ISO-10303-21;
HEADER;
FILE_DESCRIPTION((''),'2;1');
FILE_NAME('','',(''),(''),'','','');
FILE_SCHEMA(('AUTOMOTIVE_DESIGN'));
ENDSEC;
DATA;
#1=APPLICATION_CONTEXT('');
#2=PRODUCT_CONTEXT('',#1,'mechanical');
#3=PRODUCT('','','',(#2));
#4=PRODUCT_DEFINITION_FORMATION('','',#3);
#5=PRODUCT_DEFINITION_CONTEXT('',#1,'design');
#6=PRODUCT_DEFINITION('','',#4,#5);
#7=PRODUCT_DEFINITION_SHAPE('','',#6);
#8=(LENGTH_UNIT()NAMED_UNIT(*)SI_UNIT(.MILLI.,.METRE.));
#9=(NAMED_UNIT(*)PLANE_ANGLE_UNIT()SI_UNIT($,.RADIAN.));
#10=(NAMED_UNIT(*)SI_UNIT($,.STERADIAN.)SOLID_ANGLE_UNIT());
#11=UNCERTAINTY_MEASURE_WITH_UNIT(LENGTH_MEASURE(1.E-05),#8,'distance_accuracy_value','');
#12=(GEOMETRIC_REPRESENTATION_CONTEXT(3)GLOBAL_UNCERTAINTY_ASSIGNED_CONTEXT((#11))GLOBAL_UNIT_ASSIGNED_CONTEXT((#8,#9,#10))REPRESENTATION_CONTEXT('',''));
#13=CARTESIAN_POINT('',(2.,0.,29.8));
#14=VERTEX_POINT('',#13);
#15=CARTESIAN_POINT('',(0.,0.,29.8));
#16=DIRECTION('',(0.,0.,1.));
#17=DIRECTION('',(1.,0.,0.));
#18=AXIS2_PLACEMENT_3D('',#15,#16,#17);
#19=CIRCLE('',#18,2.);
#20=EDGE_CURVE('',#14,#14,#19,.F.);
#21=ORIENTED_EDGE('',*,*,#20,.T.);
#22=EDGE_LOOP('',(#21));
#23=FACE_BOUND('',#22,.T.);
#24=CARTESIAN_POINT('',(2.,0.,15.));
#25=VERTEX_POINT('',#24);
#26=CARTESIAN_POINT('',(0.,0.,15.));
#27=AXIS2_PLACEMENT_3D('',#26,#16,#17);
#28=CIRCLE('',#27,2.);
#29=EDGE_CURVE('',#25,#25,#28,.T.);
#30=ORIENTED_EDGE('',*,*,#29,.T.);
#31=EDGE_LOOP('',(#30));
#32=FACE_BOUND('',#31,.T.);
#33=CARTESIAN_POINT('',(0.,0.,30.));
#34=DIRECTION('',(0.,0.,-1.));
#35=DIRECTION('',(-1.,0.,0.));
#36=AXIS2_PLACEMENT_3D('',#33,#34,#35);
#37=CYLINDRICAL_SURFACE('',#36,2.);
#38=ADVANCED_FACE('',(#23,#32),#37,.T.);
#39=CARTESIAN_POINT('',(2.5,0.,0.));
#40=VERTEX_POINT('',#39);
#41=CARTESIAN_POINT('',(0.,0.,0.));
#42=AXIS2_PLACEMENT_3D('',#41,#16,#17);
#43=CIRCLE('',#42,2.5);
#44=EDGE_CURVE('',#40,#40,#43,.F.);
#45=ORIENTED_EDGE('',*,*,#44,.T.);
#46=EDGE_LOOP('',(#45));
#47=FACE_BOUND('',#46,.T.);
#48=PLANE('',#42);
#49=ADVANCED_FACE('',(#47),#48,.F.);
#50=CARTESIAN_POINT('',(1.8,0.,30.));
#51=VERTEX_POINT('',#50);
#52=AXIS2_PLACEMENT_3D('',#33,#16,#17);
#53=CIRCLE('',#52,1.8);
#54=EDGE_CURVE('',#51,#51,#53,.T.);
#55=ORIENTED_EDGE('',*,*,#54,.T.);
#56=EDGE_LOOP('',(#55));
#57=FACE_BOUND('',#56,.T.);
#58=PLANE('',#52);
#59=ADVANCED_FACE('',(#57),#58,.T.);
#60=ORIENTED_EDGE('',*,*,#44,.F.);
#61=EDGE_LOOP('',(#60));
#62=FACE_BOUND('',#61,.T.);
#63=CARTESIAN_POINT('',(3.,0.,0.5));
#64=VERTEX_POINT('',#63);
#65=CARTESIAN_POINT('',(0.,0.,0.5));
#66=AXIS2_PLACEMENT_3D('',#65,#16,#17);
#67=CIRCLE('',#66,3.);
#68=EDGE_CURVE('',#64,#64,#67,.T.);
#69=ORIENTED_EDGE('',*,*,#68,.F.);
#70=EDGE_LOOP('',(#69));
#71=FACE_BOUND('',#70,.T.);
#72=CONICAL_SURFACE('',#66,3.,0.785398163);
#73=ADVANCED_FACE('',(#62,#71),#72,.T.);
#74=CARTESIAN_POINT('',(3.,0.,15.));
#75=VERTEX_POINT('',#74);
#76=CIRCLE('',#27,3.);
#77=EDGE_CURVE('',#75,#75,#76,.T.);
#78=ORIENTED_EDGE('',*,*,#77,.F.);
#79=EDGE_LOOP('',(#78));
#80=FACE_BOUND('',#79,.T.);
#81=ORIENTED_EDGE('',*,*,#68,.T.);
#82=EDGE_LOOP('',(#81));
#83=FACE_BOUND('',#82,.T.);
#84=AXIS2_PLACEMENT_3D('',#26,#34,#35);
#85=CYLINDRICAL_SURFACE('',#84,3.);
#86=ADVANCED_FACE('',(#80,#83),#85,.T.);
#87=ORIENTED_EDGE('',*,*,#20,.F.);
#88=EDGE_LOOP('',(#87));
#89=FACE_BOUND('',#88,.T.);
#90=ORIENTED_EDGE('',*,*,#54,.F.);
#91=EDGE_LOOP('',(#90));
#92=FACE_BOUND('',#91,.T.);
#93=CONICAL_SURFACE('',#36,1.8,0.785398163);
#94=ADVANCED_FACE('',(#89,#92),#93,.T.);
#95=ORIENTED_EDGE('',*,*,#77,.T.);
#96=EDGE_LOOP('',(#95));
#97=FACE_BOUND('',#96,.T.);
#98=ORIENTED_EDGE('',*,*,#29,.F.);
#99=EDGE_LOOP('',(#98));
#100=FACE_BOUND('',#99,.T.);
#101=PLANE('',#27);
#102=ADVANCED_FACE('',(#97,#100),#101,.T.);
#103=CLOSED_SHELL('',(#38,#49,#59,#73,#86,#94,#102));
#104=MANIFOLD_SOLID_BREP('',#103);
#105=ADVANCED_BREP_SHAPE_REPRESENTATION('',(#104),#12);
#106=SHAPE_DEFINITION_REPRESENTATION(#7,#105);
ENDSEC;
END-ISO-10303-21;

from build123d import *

# Parameters (mm, degrees)
SKETCH_1_R        = 3
EXTRUDE_175_DEPTH = 15
SKETCH_2_R        = 2
EXTRUDE_1_DEPTH   = 15
CHAMFER_1_SIZE    = 0.2
CHAMFER_2_SIZE    = 0.5


with BuildPart() as part:
    # Эскиз1 → Extrude 175 (new body)
    with BuildSketch(Plane.XY):
        Circle(SKETCH_1_R)
    extrude(amount=EXTRUDE_175_DEPTH)

    # Эскиз2 → Бобышка-Вытянуть1 (add)
    with BuildSketch(Plane.XY.offset(15)):
        Circle(SKETCH_2_R)
    extrude(amount=EXTRUDE_1_DEPTH)

    # Фаска1
    chamfer_1_edges = [part.edges().sort_by_distance(p)[0] for p in [
        (-2, 0, 30),
    ]]
    chamfer(chamfer_1_edges, length=CHAMFER_1_SIZE)

    # Фаска2
    chamfer_2_edges = [part.edges().sort_by_distance(p)[0] for p in [
        (-3, 0, 0),
    ]]
    chamfer(chamfer_2_edges, length=CHAMFER_2_SIZE)


solid = part.part
